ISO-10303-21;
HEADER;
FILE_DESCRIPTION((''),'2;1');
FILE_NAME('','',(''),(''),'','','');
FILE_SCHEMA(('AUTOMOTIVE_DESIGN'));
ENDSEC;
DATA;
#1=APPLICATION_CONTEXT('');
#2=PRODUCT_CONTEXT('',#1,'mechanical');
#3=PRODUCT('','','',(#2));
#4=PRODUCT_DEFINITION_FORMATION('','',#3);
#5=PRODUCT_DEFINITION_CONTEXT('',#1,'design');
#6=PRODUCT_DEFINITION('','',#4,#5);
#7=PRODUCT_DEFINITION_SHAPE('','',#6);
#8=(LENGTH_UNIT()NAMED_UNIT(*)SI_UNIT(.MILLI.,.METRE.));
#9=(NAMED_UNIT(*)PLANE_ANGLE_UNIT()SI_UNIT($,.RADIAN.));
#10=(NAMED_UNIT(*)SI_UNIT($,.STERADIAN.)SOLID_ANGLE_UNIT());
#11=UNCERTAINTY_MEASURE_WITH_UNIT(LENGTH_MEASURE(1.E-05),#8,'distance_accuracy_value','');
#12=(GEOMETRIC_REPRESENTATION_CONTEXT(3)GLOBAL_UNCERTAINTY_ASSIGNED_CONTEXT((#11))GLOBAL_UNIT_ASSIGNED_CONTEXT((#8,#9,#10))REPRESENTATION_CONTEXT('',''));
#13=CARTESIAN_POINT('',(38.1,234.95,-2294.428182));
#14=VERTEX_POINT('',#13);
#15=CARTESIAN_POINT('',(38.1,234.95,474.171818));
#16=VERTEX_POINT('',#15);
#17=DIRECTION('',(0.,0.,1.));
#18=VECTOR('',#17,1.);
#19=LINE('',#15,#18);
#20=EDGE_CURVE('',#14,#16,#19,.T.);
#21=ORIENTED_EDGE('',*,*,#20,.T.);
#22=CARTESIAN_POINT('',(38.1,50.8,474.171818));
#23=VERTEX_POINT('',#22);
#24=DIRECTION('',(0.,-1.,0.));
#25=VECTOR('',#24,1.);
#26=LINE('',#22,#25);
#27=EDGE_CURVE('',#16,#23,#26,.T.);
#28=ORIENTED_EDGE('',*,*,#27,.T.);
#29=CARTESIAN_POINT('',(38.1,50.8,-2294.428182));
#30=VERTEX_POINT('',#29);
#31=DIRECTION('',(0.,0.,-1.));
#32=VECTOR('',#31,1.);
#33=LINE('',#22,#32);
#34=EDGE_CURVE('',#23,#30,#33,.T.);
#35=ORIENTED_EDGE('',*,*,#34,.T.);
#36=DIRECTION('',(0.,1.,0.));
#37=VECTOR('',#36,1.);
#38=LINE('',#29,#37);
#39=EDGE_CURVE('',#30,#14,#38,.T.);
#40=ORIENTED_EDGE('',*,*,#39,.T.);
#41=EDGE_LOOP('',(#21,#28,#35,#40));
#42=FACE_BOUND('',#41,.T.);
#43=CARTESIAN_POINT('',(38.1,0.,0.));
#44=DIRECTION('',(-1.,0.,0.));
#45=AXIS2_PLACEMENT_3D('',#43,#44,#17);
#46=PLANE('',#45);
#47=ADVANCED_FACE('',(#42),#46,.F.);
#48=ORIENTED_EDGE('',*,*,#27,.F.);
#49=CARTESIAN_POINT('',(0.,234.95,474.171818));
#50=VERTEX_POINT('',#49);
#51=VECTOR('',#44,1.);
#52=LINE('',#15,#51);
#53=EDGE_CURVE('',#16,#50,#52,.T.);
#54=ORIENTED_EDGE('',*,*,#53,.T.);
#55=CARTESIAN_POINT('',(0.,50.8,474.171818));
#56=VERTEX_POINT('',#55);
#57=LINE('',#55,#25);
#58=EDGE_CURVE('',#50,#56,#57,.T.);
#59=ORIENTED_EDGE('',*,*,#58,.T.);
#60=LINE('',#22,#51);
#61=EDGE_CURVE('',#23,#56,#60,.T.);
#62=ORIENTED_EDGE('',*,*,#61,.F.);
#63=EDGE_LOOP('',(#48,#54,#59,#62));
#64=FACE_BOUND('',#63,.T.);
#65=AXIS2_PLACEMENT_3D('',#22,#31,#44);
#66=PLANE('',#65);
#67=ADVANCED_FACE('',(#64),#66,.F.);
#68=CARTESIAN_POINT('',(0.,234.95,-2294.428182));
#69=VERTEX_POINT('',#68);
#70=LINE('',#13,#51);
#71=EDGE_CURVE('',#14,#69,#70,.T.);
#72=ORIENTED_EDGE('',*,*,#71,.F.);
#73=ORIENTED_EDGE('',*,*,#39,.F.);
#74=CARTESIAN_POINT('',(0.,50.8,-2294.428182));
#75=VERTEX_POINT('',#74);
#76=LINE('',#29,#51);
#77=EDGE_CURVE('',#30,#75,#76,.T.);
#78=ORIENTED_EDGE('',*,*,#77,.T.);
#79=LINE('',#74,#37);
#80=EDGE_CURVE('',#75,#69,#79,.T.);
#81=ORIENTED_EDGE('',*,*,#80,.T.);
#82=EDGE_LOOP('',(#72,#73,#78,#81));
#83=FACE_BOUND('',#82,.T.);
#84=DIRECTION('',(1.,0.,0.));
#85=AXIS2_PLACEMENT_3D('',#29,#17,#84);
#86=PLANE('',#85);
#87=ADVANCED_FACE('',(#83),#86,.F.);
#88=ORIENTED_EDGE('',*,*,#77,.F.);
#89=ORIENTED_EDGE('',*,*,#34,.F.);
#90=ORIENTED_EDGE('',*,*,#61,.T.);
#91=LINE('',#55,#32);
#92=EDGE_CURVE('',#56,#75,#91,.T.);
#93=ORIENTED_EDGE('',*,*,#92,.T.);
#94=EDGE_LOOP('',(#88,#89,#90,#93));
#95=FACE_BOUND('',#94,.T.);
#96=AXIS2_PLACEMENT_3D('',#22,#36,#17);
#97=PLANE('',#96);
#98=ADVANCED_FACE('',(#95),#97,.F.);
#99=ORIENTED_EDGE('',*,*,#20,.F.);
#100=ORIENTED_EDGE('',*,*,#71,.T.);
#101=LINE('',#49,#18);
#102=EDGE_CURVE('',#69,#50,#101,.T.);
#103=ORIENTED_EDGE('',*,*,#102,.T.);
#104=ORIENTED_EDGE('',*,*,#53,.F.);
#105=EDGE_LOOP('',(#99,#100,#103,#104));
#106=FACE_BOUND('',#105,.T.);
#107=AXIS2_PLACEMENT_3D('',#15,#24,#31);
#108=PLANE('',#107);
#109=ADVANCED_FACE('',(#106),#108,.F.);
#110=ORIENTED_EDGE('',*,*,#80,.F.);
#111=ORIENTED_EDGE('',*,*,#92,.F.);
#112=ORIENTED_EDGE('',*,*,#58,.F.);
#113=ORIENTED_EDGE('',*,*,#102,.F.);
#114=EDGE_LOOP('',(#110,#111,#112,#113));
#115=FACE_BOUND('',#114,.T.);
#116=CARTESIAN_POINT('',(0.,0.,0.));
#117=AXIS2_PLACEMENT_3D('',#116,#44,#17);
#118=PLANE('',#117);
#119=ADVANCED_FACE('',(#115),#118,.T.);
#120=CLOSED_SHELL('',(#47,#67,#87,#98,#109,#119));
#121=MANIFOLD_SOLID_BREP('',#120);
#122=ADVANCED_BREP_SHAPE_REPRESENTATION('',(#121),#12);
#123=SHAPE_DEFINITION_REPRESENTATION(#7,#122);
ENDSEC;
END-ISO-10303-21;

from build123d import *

# Parameters (mm, degrees)
SKETCH1_W           = 2768.6
SKETCH1_H           = 184.15
BOSS_EXTRUDE1_DEPTH = 38.1


with BuildPart() as part:
    # Sketch1 → Boss-Extrude1 (new body)
    with BuildSketch(Plane(origin=(0, 0, 0), x_dir=(0, 0, -1), z_dir=(1, 0, 0))):
        with Locations((910.128181818, 142.875)):
            Rectangle(SKETCH1_W, SKETCH1_H)
    extrude(amount=BOSS_EXTRUDE1_DEPTH)


solid = part.part
